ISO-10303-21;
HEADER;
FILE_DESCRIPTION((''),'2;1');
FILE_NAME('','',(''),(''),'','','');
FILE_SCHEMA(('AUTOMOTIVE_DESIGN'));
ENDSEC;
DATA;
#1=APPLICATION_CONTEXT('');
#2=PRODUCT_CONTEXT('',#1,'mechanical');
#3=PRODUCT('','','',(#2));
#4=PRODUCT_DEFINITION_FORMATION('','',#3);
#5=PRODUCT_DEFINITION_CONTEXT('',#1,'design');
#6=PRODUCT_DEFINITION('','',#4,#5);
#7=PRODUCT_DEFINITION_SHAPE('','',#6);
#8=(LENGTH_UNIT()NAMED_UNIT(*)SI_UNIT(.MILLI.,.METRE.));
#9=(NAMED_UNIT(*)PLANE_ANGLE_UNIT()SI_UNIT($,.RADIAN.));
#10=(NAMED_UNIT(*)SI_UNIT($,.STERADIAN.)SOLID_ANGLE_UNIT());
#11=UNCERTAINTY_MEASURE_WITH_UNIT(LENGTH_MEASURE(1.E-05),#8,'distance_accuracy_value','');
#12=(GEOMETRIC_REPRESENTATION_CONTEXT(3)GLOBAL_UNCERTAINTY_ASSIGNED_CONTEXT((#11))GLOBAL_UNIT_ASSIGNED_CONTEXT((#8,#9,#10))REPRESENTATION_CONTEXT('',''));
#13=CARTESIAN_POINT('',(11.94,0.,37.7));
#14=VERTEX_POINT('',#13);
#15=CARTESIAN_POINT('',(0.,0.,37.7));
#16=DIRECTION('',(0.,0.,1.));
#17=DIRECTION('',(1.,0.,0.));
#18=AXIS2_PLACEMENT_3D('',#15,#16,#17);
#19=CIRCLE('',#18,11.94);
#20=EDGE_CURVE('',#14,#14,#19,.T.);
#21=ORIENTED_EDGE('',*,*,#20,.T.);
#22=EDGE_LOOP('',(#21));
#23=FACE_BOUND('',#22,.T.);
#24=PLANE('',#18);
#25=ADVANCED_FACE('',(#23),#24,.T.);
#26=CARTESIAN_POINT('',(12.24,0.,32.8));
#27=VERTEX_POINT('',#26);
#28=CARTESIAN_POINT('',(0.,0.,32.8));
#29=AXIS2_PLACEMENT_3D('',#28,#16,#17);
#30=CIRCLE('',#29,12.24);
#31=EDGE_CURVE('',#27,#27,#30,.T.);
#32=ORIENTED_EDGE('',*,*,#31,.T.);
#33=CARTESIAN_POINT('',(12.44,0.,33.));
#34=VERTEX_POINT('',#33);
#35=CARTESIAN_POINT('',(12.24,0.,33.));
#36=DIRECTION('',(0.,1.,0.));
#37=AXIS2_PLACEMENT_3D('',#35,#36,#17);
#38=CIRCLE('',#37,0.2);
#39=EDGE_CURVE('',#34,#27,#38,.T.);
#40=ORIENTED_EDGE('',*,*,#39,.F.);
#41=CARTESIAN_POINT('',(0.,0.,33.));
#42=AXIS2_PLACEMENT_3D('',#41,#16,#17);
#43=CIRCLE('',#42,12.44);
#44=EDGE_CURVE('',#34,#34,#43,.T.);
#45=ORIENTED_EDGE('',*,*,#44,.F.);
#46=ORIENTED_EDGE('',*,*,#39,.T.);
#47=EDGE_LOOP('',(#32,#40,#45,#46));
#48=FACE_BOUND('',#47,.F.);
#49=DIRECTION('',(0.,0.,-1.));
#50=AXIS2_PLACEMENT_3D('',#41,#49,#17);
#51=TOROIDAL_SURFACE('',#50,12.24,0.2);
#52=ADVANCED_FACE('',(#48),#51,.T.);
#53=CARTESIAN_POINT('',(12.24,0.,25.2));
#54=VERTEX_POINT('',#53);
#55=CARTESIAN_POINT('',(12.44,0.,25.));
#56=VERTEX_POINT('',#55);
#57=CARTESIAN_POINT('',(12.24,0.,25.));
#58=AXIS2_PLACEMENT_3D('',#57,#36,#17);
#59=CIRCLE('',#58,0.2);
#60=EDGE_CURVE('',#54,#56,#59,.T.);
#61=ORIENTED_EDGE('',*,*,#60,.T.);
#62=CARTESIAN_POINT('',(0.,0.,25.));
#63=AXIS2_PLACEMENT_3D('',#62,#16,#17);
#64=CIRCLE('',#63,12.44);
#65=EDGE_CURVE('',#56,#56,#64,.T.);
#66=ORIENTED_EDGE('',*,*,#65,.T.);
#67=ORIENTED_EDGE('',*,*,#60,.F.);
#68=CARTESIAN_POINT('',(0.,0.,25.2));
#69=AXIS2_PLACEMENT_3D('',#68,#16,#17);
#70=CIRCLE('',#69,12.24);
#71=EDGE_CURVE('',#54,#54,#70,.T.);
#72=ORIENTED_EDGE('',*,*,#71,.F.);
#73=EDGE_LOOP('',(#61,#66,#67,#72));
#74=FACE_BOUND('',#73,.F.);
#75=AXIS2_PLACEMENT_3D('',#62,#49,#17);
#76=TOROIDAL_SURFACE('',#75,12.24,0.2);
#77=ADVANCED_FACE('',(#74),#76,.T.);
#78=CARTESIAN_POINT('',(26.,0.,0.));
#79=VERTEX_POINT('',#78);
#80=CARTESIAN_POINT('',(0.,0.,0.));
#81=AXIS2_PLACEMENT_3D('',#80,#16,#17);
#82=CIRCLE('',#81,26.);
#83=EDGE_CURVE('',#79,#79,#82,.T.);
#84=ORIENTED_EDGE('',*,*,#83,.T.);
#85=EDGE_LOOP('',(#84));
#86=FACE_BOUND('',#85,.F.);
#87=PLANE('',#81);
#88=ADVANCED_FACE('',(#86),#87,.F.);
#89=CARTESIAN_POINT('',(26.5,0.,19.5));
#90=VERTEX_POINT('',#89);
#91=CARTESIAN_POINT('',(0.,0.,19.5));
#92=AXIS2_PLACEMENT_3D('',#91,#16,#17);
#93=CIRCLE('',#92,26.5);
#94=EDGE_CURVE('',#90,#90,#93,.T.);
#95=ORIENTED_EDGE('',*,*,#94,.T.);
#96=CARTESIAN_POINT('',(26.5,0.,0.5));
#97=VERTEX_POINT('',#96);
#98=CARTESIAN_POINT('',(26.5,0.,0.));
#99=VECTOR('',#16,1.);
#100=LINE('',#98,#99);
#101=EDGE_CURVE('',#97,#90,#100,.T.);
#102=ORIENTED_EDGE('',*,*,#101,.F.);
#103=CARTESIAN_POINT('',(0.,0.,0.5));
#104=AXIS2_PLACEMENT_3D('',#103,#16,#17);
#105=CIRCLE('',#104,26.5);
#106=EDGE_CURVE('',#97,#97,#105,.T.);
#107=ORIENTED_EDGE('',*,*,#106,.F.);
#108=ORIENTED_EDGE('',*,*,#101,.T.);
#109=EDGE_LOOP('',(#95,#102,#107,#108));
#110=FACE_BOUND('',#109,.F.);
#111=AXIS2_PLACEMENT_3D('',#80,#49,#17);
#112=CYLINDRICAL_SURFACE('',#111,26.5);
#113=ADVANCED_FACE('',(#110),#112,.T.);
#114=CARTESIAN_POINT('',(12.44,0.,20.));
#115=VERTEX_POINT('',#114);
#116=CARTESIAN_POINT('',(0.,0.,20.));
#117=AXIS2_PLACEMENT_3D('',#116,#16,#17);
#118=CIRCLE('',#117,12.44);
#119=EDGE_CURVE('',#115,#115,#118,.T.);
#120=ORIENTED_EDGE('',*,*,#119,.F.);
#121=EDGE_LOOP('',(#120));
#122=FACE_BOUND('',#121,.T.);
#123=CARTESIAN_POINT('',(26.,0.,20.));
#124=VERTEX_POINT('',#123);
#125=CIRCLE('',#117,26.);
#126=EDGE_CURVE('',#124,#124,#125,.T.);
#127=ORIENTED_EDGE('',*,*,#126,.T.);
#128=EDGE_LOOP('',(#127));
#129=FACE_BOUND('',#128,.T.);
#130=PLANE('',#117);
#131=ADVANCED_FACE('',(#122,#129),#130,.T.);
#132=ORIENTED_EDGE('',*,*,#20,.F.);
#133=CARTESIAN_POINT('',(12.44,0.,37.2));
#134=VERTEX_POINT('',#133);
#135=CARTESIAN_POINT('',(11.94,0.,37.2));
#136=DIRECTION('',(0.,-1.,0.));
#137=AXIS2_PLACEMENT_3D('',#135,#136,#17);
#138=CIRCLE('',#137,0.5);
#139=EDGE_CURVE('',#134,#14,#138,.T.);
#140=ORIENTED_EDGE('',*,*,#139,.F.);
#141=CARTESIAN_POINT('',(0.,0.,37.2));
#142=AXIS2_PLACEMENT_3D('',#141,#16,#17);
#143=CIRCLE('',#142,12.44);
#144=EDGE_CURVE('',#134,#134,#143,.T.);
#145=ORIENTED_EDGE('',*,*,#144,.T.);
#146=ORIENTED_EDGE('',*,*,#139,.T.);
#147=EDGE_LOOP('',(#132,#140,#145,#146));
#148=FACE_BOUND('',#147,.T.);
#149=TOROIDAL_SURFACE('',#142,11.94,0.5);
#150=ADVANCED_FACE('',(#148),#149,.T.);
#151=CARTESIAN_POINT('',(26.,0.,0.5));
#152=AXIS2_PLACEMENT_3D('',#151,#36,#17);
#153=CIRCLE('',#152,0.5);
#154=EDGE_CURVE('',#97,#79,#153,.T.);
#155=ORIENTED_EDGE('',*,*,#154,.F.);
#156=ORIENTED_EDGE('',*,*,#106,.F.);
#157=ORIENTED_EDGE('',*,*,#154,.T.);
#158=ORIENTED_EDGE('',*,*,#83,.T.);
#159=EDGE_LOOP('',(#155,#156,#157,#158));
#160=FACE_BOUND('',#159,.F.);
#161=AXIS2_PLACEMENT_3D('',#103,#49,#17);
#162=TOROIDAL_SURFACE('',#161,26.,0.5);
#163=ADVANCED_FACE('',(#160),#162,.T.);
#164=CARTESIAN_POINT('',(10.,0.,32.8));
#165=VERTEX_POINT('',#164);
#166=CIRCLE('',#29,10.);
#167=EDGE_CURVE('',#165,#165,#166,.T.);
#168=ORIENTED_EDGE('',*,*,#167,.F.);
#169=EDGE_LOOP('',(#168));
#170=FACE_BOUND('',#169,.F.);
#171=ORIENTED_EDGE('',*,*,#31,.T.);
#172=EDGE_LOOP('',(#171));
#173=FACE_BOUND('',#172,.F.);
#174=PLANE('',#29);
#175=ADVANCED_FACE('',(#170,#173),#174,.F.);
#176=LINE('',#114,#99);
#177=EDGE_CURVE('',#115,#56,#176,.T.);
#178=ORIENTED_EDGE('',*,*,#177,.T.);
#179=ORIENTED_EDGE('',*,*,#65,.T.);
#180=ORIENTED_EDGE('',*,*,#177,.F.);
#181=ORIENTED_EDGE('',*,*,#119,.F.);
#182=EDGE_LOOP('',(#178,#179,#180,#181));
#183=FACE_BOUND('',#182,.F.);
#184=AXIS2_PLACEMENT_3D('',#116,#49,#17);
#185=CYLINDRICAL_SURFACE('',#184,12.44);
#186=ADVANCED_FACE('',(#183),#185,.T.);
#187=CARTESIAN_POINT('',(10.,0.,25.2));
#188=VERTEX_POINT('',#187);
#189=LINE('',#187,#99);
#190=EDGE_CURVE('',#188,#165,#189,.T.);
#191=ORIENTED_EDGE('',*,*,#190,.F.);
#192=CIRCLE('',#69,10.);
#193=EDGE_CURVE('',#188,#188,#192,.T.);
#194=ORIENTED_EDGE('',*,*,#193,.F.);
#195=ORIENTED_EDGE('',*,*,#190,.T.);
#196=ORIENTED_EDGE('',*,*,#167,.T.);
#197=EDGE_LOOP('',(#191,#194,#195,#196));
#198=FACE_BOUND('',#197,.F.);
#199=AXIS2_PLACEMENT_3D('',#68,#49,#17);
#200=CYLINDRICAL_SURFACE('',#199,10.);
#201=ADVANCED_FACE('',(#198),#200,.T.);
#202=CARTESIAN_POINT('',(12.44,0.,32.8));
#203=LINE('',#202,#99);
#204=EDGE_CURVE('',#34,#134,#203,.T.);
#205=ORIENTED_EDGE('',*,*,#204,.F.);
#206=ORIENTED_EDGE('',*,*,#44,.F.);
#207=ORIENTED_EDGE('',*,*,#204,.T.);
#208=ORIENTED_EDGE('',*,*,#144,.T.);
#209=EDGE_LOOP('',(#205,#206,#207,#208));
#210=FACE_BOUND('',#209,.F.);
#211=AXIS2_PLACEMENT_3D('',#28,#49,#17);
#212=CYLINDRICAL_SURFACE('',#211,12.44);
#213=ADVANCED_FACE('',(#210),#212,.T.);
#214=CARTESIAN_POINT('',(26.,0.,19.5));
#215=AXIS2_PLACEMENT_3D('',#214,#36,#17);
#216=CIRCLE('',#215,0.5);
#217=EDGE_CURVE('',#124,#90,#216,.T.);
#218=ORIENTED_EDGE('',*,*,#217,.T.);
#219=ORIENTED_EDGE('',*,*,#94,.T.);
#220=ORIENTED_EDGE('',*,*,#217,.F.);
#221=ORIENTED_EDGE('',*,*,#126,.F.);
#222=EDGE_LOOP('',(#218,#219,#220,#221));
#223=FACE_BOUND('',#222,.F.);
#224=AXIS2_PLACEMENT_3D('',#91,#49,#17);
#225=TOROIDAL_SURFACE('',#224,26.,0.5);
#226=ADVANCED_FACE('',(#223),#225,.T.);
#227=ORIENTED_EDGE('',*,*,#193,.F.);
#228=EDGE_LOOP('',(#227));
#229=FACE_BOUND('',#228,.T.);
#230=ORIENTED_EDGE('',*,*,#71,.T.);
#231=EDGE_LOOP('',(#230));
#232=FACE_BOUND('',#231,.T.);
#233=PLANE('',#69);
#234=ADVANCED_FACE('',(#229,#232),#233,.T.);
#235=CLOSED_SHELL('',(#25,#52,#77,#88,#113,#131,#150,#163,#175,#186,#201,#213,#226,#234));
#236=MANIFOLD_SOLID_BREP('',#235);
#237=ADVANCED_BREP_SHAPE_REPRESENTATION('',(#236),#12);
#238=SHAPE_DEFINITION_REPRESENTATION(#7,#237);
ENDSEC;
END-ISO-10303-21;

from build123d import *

# Parameters (mm, degrees)
F0_R     = 26.5
F1_DEPTH = 20
F2_R     = 12.44
F3_DEPTH = 5.2
F4_R     = 10
F5_DEPTH = 7.6
F6_R     = 12.44
F7_DEPTH = 4.9
F8_R     = 0.5
F9_R     = 0.2


with BuildPart() as f1:
    # F0 (on Top) → F1 (new body)
    with BuildSketch(Plane.XY):
        Circle(F0_R)
    extrude(amount=F1_DEPTH)

    # F2 (on face) → F3 (join)
    with BuildSketch(Plane.XY.offset(20)):
        Circle(F2_R)
    extrude(amount=F3_DEPTH)

    # F4 (on face) → F5 (join)
    with BuildSketch(Plane.XY.offset(25.2)):
        Circle(F4_R)
    extrude(amount=F5_DEPTH)

    # F6 (on face) → F7 (join)
    with BuildSketch(Plane.XY.offset(32.8)):
        Circle(F6_R)
    extrude(amount=F7_DEPTH)

    # F8
    f8_edges = [f1.edges().sort_by_distance(p)[0] for p in [
        (-12.44, 0, 37.7),
        (-26.5, 0, 20),
        (-26.5, 0, 0),
    ]]
    fillet(f8_edges, radius=F8_R)

    # F9
    f9_edges = [f1.edges().sort_by_distance(p)[0] for p in [
        (-12.44, 0, 25.2),
        (-12.44, 0, 32.8),
    ]]
    fillet(f9_edges, radius=F9_R)


solid = f1.part
